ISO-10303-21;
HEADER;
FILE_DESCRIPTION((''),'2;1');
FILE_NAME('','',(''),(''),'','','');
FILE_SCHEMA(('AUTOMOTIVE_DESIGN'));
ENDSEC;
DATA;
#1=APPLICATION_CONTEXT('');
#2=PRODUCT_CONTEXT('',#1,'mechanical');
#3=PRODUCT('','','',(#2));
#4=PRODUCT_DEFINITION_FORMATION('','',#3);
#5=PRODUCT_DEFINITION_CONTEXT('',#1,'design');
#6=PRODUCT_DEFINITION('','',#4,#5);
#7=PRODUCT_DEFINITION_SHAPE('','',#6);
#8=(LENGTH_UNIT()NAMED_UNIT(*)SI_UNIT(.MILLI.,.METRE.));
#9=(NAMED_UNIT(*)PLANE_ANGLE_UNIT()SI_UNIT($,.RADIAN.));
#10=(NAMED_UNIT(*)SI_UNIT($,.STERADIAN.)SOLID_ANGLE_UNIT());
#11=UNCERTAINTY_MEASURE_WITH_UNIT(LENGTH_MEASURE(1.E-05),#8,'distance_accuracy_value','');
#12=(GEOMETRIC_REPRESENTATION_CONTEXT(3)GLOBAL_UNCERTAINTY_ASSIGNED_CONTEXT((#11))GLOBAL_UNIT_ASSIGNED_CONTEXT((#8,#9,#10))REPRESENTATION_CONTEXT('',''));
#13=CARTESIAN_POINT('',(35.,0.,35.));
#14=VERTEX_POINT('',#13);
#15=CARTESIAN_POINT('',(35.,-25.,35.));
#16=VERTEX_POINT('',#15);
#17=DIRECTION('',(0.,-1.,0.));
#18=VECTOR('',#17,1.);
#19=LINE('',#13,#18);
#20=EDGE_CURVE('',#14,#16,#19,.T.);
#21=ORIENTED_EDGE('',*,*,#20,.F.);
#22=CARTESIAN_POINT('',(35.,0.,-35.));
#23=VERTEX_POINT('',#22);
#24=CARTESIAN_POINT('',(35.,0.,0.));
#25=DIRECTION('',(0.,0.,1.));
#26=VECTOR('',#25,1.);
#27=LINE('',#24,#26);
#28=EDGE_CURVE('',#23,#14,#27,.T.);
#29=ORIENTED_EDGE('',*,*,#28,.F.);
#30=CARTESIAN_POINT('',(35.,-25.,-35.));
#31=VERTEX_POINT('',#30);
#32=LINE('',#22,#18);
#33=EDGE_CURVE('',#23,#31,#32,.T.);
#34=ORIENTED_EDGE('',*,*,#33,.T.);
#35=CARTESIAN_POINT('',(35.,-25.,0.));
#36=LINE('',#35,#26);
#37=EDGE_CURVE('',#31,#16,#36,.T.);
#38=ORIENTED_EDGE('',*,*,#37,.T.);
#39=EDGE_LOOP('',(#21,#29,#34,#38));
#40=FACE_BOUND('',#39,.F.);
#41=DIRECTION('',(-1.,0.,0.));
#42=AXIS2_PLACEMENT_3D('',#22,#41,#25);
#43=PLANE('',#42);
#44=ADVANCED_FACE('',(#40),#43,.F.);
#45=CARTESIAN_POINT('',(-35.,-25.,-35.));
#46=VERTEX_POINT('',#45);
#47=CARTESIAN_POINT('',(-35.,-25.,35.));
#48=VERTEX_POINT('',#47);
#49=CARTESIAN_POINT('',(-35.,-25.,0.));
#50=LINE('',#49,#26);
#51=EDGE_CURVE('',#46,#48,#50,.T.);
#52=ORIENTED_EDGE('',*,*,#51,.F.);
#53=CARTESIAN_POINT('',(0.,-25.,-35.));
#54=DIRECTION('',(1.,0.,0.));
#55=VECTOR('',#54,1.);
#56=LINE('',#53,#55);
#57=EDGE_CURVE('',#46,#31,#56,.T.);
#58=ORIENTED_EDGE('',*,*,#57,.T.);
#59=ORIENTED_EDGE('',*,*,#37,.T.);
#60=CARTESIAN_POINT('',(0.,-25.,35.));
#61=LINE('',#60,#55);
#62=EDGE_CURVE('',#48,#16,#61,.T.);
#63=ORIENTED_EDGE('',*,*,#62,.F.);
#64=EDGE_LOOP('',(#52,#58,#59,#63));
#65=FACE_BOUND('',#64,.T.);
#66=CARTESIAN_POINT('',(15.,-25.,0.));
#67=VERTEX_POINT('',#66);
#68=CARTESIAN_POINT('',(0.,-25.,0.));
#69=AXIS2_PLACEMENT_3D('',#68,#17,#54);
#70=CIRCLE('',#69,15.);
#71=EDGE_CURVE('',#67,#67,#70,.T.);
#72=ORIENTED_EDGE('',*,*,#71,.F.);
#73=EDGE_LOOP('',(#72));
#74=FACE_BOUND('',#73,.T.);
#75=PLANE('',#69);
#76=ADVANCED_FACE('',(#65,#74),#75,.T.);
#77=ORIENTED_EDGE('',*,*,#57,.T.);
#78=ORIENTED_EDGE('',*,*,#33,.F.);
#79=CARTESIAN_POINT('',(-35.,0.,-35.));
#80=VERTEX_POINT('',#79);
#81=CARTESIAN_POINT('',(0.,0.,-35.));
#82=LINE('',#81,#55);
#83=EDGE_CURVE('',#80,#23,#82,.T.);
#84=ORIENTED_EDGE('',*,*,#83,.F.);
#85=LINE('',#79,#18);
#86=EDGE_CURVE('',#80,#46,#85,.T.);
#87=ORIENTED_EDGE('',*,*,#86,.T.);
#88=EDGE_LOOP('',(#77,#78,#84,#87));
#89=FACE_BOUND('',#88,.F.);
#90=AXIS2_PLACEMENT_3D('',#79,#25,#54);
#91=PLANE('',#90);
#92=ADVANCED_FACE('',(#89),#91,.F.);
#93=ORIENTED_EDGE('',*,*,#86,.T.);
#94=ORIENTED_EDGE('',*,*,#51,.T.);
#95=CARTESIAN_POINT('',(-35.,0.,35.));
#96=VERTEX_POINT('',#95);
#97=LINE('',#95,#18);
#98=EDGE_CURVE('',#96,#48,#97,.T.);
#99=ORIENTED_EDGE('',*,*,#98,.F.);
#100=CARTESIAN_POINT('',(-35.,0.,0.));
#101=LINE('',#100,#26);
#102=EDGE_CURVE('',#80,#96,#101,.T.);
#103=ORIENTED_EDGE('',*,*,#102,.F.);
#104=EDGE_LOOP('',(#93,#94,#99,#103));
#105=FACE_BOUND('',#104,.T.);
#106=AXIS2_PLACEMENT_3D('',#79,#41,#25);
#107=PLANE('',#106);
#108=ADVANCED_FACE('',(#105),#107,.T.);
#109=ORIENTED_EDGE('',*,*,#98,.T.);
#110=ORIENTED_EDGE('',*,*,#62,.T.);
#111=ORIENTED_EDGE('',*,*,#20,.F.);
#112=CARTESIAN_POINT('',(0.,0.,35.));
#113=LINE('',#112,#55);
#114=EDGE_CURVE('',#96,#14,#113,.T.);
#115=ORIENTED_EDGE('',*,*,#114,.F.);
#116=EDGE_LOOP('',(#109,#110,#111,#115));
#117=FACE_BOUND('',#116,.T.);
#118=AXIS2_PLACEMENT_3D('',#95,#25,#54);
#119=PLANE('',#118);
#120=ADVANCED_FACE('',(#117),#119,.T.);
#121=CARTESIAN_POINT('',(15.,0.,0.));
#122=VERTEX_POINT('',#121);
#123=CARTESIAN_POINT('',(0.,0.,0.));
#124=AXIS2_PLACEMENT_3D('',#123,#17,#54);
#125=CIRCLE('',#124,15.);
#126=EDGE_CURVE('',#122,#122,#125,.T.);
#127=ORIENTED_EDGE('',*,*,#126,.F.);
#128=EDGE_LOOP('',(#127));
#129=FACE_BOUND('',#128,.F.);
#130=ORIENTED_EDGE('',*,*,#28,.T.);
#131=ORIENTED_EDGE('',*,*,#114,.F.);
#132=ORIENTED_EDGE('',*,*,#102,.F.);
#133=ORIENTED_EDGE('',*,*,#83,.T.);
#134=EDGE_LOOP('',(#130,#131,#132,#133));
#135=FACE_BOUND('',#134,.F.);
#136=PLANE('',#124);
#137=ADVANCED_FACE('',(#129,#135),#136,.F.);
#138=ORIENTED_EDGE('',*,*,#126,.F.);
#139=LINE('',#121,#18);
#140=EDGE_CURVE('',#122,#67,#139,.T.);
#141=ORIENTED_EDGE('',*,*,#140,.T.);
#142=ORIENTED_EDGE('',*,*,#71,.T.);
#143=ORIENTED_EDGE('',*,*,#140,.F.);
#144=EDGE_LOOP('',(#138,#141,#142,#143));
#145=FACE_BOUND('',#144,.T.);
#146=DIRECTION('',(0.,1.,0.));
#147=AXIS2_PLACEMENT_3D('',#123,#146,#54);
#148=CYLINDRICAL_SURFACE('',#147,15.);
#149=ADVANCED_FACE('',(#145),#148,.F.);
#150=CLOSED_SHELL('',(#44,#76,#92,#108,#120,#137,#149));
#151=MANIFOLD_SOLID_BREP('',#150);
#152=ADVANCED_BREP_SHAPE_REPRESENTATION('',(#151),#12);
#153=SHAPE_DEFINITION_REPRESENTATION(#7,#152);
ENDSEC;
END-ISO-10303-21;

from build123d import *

# Parameters (mm, degrees)
F0_W     = 70
F0_H     = 70
F1_DEPTH = 25
F2_R     = 15
F3_DEPTH = 25


with BuildPart() as f1:
    # F0 (on Front) → F1 (new body)
    with BuildSketch(Plane.XZ):
        Rectangle(F0_W, F0_H)
    extrude(amount=F1_DEPTH)

    # F2 (on Front) → F3 (cut)
    with BuildSketch(Plane.XZ):
        Circle(F2_R)
    extrude(amount=F3_DEPTH, mode=Mode.SUBTRACT)


solid = f1.part
